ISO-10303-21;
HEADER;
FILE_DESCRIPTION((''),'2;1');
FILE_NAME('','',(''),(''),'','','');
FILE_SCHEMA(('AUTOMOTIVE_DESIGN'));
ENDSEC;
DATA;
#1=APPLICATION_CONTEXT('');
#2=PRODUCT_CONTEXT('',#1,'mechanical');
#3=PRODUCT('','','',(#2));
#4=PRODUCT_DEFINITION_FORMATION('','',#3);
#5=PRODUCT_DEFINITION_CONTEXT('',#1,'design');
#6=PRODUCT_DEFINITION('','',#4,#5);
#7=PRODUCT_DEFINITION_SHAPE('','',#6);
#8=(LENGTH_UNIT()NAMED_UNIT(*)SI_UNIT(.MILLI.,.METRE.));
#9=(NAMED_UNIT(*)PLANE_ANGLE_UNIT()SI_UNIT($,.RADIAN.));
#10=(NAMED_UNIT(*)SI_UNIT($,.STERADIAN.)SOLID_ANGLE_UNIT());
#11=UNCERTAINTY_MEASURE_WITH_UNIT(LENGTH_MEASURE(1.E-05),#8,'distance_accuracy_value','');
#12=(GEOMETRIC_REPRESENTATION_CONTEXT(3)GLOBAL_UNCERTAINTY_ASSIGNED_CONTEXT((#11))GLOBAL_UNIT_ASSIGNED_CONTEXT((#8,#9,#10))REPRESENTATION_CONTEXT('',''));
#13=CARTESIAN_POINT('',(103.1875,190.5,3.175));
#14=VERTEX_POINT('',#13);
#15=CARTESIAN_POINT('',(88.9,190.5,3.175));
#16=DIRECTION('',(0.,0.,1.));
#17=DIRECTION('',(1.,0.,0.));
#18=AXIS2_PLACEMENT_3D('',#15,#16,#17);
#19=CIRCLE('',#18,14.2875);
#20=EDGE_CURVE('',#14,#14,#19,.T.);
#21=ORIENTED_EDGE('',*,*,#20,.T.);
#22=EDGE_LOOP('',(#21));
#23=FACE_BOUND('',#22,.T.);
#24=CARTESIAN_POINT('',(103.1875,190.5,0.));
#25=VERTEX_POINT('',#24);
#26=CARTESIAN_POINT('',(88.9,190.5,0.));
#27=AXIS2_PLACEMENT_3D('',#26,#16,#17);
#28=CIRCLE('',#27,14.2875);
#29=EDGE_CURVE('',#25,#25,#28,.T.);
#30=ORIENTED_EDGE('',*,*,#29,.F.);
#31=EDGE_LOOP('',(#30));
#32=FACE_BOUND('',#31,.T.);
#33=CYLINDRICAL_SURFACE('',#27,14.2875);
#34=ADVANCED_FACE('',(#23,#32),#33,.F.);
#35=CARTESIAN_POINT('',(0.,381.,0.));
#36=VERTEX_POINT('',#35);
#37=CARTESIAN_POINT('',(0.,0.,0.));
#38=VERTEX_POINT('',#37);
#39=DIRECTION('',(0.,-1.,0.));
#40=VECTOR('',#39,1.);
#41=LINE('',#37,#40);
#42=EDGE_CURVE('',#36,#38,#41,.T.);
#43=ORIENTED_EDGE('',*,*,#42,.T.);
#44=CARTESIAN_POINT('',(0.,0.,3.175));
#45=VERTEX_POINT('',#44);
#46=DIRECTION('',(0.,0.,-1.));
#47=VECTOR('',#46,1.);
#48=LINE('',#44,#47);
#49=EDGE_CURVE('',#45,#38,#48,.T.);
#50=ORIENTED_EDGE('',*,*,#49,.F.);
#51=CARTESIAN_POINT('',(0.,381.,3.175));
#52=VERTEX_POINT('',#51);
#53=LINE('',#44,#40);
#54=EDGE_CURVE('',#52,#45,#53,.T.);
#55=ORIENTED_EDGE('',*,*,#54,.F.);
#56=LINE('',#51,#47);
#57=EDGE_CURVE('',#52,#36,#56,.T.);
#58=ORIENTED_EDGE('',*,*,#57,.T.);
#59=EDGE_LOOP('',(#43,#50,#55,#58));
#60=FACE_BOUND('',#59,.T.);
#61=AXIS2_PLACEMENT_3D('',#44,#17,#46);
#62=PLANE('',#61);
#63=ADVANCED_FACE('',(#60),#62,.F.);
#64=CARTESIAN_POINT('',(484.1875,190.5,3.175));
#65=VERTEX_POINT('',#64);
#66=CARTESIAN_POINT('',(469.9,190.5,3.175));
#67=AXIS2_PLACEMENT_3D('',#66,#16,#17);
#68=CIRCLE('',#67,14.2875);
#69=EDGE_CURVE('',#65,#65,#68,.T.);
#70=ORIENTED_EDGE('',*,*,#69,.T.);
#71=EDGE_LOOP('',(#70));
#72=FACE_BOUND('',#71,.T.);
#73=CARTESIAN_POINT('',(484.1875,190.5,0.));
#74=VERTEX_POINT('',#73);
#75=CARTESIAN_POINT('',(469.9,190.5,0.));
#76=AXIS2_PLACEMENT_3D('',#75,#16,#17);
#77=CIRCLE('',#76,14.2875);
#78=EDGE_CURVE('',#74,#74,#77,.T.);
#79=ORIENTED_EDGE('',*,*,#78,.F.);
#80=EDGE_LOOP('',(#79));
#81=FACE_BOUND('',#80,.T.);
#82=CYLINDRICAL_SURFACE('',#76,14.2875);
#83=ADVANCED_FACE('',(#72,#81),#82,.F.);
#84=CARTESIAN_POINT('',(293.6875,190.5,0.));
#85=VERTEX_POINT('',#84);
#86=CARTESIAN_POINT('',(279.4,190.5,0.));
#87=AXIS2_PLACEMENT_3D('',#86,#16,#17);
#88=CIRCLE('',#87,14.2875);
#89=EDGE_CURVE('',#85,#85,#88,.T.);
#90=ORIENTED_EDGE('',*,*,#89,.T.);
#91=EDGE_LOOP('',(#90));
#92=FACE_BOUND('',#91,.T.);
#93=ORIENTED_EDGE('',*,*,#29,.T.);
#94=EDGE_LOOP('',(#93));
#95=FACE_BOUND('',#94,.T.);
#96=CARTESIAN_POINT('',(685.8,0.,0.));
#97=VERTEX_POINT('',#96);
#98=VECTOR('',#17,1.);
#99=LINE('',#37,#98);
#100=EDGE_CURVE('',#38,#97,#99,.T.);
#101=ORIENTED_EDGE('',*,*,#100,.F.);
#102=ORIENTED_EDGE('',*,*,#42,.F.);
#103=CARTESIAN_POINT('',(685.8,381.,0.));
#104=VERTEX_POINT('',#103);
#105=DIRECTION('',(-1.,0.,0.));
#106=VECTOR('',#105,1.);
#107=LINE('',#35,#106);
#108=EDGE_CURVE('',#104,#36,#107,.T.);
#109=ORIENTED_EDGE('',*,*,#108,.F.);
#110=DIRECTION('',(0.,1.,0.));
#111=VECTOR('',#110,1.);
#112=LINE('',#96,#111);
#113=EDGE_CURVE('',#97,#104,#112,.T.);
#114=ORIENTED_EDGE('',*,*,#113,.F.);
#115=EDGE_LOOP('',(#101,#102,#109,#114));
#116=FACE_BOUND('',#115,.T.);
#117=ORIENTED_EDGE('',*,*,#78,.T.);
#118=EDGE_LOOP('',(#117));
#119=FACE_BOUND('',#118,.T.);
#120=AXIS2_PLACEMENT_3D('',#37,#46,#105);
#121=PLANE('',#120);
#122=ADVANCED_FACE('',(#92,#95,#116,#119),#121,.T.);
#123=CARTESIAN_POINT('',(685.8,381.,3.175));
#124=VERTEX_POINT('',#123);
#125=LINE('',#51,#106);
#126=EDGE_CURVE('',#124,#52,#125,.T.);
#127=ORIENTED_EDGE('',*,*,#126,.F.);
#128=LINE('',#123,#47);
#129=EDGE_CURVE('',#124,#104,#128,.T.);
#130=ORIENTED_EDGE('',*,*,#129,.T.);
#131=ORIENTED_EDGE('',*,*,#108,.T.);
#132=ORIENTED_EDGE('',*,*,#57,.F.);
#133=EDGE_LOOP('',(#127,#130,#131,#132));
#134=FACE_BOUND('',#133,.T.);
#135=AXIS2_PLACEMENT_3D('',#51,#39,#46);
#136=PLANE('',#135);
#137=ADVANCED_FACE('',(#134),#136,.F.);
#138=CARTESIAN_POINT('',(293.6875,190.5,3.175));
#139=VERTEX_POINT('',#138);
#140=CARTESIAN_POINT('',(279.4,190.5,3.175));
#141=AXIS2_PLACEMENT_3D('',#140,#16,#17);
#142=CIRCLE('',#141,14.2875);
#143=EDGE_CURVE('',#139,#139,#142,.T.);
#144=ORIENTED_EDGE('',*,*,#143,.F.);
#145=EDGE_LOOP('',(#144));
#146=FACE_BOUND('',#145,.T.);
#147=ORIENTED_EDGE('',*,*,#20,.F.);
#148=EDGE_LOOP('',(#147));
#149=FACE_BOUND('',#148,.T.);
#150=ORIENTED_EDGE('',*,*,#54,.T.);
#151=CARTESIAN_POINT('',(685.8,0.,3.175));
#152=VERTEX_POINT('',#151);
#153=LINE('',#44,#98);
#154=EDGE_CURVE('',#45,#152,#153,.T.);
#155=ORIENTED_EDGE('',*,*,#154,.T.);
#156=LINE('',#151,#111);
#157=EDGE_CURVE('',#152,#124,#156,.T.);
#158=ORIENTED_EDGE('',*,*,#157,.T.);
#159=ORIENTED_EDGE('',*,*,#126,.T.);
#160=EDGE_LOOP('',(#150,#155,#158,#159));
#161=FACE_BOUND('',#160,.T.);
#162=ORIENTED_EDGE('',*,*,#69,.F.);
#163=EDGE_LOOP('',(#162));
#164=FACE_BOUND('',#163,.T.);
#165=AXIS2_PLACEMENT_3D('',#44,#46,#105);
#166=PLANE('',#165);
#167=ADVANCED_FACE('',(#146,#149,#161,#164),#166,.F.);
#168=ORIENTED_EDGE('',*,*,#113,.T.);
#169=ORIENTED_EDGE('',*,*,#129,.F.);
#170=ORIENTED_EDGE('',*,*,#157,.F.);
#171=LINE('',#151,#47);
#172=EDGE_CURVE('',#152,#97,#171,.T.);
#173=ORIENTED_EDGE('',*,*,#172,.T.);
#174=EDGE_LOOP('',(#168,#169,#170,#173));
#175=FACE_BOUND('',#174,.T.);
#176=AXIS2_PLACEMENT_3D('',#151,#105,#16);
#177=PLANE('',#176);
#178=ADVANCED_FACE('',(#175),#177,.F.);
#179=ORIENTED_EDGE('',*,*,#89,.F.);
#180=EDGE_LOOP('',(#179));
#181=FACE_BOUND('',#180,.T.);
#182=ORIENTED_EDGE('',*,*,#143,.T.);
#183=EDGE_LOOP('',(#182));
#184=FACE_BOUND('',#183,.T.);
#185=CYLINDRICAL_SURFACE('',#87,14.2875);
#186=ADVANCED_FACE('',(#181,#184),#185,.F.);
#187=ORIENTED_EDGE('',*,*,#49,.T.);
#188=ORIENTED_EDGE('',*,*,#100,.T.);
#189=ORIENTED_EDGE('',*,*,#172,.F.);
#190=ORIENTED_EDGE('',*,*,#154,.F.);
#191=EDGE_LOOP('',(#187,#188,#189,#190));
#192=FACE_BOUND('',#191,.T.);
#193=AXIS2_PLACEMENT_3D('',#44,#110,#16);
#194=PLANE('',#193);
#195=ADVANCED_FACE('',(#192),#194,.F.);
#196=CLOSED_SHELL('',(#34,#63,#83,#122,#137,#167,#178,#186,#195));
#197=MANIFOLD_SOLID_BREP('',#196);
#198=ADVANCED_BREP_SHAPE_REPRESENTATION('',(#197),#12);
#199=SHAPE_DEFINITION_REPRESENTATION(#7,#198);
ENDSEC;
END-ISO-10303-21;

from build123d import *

# Parameters (mm, degrees)
SKETCH1_W           = 685.8
SKETCH1_H           = 381
BOSS_EXTRUDE1_DEPTH = 3.175
SKETCH2_R           = 14.2875
CUT_EXTRUDE1_DEPTH  = 785.533441368


with BuildPart() as part:
    # Sketch1 → Boss-Extrude1 (new body)
    with BuildSketch(Plane.XY):
        with Locations((342.9, 190.5)):
            Rectangle(SKETCH1_W, SKETCH1_H)
    extrude(amount=BOSS_EXTRUDE1_DEPTH)

    # Sketch2 → Cut-Extrude1 (cut, through all)
    with BuildSketch(Plane.XY.offset(3.175)):
        with Locations((469.9, 190.5)):
            Circle(SKETCH2_R)
        with Locations((88.9, 190.5)):
            Circle(SKETCH2_R)
        with Locations((279.4, 190.5)):
            Circle(SKETCH2_R)
    extrude(amount=-CUT_EXTRUDE1_DEPTH, mode=Mode.SUBTRACT)


solid = part.part
